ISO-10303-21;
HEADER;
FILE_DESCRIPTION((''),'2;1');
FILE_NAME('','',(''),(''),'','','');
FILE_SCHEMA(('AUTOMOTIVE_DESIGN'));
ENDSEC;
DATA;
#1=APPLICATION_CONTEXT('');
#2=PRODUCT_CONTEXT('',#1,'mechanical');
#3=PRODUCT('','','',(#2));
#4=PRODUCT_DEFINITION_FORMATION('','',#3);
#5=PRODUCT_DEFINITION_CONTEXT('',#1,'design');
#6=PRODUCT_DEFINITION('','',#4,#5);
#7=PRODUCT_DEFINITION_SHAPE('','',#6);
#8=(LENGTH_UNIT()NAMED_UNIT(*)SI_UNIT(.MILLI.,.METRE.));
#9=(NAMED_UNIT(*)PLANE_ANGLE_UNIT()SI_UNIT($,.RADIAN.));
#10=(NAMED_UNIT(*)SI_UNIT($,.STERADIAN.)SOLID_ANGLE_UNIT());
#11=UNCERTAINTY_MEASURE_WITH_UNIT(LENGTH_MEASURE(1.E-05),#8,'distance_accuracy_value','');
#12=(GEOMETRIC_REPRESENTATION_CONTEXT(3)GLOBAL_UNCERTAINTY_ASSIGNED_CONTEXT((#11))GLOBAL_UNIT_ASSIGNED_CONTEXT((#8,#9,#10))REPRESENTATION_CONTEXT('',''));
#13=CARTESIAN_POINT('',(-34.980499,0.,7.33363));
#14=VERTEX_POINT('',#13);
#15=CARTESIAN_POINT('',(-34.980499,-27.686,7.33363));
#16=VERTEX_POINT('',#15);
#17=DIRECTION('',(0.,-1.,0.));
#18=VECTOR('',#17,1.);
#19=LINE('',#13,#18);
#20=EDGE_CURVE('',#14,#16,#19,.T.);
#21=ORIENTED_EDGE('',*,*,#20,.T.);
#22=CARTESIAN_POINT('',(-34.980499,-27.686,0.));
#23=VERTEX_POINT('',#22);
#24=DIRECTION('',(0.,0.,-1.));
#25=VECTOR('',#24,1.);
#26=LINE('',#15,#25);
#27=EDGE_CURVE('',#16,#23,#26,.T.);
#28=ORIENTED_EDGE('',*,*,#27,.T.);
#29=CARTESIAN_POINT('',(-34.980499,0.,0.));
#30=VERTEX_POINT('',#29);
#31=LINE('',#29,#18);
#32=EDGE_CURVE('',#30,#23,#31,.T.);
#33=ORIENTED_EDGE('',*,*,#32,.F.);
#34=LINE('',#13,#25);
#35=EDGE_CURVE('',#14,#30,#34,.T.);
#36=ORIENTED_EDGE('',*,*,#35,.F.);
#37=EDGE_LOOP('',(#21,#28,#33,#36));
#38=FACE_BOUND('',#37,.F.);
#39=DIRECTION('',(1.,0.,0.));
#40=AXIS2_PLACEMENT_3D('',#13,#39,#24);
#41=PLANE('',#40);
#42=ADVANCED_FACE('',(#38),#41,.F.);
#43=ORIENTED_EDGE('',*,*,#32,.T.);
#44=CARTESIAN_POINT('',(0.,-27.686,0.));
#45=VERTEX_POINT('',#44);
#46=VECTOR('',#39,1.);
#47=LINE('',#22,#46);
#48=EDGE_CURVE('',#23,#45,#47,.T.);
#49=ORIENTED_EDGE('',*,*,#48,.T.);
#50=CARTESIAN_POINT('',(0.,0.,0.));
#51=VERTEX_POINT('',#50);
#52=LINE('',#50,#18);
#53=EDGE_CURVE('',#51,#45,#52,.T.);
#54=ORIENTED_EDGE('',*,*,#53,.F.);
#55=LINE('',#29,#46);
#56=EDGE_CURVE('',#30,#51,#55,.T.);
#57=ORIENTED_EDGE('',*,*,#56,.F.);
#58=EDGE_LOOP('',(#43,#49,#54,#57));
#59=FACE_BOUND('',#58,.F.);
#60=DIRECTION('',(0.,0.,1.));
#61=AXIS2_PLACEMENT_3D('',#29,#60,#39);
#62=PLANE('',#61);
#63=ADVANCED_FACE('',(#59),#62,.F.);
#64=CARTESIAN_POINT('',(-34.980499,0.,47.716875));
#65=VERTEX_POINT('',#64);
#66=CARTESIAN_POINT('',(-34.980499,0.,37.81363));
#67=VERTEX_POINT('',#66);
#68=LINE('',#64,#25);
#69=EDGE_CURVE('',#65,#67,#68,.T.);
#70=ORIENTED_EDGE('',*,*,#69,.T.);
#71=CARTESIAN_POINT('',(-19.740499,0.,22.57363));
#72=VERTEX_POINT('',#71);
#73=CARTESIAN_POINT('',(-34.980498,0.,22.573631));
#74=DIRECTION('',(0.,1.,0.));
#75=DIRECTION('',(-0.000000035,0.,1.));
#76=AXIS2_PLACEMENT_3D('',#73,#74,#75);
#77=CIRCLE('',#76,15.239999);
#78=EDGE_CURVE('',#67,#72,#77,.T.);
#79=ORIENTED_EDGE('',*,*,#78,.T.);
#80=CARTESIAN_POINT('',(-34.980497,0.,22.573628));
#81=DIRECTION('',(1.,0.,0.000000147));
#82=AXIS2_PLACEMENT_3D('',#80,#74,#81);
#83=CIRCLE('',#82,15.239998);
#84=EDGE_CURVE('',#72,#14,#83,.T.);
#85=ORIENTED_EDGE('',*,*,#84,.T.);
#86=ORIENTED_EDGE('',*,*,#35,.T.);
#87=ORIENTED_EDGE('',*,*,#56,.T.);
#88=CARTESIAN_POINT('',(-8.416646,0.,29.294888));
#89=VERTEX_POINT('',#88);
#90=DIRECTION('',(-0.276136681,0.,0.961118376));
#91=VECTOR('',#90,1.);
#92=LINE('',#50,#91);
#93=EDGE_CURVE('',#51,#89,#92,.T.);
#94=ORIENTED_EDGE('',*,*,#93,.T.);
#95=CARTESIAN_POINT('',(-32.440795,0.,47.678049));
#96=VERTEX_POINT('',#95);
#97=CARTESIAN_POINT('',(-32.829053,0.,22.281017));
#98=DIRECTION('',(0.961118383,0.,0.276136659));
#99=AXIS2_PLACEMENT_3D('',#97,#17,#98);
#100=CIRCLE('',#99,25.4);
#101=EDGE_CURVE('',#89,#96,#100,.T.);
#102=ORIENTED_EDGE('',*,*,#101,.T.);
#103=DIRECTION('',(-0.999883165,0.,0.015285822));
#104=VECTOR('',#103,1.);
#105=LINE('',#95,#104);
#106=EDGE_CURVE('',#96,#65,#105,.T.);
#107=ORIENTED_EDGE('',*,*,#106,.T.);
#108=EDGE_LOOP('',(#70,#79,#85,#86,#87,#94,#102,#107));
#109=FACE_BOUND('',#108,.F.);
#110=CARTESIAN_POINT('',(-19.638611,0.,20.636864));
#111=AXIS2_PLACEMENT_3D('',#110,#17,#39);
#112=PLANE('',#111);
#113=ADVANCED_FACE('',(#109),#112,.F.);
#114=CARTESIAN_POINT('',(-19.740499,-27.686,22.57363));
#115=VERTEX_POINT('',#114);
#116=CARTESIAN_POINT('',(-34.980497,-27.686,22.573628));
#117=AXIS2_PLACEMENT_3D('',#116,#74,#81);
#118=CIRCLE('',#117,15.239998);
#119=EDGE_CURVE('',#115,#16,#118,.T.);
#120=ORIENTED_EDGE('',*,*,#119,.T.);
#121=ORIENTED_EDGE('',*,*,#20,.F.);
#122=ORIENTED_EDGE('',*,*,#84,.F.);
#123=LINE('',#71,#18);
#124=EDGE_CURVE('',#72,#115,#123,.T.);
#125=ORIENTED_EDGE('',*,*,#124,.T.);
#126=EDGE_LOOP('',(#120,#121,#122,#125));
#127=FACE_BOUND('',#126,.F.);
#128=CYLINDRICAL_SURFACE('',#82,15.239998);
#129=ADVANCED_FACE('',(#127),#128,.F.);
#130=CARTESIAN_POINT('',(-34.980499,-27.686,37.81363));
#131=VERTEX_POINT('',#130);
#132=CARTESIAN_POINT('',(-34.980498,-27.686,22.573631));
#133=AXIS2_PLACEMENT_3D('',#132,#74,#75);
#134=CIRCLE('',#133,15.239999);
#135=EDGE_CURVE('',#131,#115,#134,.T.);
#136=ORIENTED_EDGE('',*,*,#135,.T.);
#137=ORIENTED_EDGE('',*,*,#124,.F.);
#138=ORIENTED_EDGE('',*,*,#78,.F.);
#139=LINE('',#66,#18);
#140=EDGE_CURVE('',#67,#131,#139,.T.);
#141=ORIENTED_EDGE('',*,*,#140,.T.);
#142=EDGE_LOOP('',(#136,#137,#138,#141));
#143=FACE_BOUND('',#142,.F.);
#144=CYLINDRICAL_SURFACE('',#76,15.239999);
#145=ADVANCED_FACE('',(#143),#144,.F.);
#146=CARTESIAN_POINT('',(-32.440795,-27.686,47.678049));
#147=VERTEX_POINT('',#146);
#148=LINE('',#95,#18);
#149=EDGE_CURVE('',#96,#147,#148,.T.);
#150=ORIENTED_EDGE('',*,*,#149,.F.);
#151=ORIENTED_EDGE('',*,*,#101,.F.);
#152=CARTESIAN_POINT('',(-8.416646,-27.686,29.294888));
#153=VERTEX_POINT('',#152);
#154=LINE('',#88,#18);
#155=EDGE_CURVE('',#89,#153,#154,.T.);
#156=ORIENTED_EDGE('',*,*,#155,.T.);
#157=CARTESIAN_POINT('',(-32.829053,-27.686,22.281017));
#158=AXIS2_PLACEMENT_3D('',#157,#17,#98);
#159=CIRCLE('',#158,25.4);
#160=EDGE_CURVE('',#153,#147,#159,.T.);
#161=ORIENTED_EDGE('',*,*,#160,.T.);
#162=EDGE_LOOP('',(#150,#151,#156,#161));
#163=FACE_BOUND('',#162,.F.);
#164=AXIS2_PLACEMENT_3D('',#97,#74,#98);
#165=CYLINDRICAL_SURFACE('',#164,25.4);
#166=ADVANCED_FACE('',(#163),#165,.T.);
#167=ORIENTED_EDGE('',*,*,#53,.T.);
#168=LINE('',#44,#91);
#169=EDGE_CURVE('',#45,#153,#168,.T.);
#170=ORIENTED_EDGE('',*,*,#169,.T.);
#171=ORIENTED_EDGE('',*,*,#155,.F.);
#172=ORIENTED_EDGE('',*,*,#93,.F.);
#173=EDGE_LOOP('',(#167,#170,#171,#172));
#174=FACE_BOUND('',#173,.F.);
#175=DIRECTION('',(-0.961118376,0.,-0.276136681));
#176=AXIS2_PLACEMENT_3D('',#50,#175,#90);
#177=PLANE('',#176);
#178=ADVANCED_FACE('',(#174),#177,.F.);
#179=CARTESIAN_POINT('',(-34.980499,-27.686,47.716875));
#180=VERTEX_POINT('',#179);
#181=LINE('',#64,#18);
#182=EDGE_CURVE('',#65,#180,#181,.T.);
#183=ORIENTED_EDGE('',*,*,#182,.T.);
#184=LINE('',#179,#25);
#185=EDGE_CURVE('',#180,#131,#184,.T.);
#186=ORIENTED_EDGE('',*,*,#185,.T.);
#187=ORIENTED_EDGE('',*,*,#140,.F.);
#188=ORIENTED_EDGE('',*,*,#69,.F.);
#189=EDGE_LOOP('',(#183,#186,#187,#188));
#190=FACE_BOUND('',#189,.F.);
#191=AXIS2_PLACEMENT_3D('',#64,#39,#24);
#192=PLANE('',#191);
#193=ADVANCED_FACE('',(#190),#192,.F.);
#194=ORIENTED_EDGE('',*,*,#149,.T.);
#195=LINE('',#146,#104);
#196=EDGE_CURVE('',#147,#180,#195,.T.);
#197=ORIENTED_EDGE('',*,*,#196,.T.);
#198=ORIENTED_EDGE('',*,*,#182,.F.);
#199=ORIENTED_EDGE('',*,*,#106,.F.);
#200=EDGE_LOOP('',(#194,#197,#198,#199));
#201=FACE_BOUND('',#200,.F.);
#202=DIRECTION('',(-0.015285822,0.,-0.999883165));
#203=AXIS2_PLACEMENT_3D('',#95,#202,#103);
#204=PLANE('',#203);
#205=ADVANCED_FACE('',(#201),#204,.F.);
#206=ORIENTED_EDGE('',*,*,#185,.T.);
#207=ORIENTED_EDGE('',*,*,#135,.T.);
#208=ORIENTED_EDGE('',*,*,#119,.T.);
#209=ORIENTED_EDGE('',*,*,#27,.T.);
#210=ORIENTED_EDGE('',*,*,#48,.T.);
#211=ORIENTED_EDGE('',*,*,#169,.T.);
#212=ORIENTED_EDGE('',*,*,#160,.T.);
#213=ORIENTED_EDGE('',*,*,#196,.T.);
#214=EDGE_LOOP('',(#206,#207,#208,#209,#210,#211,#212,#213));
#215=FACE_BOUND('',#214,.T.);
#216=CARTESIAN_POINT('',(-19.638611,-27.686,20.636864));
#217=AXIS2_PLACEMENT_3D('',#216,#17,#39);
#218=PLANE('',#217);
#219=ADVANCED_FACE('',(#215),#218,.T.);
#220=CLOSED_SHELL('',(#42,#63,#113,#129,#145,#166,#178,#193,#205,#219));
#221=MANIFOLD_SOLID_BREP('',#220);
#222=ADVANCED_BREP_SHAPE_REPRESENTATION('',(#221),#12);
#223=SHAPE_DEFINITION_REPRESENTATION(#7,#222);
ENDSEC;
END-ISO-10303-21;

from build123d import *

# Parameters (mm, degrees)
F1_DEPTH = 27.686


with BuildPart() as f1:
    # F0 (on Front) → F1 (new body)
    with BuildSketch(Plane.XZ):
        with BuildLine():
            Line((-34.980499, 7.33363), (-34.980499, 0))
            Line((-34.980499, 0), (0, 0))
            Line((0, 0), (-8.416646, 29.294888))
            ThreePointArc((-8.416646, 29.294888), (-17.393594, 42.452943), (-32.440795, 47.678049))
            Line((-32.440795, 47.678049), (-34.980499, 47.716875))
            Line((-34.980499, 47.716875), (-34.980499, 37.81363))
            ThreePointArc((-34.980499, 37.81363), (-24.204191, 33.349937), (-19.740499, 22.57363))
            ThreePointArc((-19.740499, 22.57363), (-24.204191, 11.797322), (-34.980499, 7.33363))
        make_face()
    extrude(amount=F1_DEPTH)


solid = f1.part
